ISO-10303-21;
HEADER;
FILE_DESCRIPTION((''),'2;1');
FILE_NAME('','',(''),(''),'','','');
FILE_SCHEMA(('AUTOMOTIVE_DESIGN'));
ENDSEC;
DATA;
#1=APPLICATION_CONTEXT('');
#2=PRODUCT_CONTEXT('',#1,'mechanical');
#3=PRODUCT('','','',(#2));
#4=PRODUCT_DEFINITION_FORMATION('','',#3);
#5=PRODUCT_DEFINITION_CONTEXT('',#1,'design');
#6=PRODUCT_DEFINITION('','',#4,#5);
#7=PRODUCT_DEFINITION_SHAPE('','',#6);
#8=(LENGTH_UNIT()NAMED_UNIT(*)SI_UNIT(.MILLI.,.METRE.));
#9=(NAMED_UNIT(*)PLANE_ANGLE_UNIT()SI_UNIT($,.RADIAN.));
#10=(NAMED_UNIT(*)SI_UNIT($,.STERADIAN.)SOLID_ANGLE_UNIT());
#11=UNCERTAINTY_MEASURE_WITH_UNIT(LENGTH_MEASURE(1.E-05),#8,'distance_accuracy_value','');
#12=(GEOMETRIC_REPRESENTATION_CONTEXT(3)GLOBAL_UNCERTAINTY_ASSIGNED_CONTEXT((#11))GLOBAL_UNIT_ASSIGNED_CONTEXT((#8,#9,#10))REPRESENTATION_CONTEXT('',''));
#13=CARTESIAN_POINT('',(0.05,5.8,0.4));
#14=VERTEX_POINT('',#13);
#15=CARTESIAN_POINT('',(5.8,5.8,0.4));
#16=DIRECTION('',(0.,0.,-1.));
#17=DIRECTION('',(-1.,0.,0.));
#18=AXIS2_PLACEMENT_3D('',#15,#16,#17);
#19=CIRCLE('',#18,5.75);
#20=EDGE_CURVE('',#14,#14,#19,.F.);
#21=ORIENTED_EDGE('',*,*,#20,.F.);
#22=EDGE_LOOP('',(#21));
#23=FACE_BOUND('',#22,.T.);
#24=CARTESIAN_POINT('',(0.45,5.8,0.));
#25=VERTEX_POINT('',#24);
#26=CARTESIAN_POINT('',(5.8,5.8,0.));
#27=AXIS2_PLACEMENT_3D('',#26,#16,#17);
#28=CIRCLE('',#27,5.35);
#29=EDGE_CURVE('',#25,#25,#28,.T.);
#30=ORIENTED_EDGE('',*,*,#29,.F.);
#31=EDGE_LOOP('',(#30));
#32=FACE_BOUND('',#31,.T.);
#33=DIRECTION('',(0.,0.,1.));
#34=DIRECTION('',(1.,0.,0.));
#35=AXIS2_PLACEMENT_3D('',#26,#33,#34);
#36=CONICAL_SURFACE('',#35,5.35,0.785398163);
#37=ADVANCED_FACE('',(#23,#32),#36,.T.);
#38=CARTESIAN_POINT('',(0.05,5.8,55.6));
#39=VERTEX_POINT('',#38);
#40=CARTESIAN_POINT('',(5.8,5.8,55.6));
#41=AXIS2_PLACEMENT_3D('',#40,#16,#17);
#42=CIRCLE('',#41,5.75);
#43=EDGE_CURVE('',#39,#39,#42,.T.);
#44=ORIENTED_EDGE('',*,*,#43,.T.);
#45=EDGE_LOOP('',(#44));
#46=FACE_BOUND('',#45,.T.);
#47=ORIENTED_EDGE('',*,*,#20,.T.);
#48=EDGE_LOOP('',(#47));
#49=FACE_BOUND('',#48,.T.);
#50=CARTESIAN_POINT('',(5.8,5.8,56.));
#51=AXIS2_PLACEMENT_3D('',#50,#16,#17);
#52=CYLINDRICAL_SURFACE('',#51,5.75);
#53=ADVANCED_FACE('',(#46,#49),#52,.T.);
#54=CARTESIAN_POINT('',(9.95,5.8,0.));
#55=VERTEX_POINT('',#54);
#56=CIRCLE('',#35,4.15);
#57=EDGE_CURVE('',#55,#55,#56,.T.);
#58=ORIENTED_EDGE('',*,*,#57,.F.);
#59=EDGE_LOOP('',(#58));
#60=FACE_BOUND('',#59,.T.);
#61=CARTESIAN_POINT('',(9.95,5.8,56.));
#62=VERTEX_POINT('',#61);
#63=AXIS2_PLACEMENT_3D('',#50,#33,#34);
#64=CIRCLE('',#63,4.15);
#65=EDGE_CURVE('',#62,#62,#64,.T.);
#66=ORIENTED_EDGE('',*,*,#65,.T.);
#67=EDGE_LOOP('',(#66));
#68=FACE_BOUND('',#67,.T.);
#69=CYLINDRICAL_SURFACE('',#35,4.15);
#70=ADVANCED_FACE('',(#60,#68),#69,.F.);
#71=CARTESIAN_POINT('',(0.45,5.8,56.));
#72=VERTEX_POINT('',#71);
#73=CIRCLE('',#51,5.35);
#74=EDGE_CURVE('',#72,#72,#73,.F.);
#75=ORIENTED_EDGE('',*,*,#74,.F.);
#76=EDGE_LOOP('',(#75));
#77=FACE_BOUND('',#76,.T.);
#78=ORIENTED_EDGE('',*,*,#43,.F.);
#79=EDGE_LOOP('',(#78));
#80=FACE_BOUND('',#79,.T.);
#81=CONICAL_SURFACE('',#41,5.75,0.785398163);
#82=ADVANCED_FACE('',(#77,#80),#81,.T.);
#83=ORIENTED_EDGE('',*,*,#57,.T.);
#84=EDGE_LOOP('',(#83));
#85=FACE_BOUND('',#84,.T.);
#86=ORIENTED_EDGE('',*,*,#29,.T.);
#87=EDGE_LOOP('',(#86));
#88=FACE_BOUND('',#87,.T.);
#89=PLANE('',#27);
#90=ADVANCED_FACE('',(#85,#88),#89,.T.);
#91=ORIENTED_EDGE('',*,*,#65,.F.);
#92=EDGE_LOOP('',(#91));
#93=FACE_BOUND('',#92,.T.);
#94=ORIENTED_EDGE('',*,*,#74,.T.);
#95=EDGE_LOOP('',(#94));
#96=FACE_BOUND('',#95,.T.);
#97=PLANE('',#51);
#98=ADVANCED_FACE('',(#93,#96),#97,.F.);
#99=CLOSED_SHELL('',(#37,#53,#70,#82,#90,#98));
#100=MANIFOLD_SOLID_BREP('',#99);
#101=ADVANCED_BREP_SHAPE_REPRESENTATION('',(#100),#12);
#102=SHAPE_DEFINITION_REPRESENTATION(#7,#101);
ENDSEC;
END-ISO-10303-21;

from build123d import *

# Parameters (mm, degrees)
CROQUIS1_R              = 5.75
SALIENTE_EXTRUIR1_DEPTH = 56
CROQUIS2_R              = 4.15
CORTAR_EXTRUIR1_DEPTH   = 59.333566666
CHAFL_N1_SIZE           = 0.4
CHAFL_N2_SIZE           = 0.4


with BuildPart() as part:
    # Croquis1 → Saliente-Extruir1 (new body)
    with BuildSketch(Plane(origin=(0, 0, 0), x_dir=(-1, 0, 0), z_dir=(0, 0, -1))):
        with Locations((-5.8, 5.8)):
            Circle(CROQUIS1_R)
    extrude(amount=-SALIENTE_EXTRUIR1_DEPTH)

    # Croquis2 → Cortar-Extruir1 (cut, through all)
    with BuildSketch(Plane.XY.offset(56)):
        with Locations((5.8, 5.8)):
            Circle(CROQUIS2_R)
    extrude(amount=-CORTAR_EXTRUIR1_DEPTH, mode=Mode.SUBTRACT)

    # Chaflán1
    chafl_n1_edges = [part.edges().sort_by_distance(p)[0] for p in [
        (11.55, 5.8, 0),
    ]]
    chamfer(chafl_n1_edges, length=CHAFL_N1_SIZE)

    # Chaflán2
    chafl_n2_edges = [part.edges().sort_by_distance(p)[0] for p in [
        (11.55, 5.8, 56),
    ]]
    chamfer(chafl_n2_edges, length=CHAFL_N2_SIZE)


solid = part.part
